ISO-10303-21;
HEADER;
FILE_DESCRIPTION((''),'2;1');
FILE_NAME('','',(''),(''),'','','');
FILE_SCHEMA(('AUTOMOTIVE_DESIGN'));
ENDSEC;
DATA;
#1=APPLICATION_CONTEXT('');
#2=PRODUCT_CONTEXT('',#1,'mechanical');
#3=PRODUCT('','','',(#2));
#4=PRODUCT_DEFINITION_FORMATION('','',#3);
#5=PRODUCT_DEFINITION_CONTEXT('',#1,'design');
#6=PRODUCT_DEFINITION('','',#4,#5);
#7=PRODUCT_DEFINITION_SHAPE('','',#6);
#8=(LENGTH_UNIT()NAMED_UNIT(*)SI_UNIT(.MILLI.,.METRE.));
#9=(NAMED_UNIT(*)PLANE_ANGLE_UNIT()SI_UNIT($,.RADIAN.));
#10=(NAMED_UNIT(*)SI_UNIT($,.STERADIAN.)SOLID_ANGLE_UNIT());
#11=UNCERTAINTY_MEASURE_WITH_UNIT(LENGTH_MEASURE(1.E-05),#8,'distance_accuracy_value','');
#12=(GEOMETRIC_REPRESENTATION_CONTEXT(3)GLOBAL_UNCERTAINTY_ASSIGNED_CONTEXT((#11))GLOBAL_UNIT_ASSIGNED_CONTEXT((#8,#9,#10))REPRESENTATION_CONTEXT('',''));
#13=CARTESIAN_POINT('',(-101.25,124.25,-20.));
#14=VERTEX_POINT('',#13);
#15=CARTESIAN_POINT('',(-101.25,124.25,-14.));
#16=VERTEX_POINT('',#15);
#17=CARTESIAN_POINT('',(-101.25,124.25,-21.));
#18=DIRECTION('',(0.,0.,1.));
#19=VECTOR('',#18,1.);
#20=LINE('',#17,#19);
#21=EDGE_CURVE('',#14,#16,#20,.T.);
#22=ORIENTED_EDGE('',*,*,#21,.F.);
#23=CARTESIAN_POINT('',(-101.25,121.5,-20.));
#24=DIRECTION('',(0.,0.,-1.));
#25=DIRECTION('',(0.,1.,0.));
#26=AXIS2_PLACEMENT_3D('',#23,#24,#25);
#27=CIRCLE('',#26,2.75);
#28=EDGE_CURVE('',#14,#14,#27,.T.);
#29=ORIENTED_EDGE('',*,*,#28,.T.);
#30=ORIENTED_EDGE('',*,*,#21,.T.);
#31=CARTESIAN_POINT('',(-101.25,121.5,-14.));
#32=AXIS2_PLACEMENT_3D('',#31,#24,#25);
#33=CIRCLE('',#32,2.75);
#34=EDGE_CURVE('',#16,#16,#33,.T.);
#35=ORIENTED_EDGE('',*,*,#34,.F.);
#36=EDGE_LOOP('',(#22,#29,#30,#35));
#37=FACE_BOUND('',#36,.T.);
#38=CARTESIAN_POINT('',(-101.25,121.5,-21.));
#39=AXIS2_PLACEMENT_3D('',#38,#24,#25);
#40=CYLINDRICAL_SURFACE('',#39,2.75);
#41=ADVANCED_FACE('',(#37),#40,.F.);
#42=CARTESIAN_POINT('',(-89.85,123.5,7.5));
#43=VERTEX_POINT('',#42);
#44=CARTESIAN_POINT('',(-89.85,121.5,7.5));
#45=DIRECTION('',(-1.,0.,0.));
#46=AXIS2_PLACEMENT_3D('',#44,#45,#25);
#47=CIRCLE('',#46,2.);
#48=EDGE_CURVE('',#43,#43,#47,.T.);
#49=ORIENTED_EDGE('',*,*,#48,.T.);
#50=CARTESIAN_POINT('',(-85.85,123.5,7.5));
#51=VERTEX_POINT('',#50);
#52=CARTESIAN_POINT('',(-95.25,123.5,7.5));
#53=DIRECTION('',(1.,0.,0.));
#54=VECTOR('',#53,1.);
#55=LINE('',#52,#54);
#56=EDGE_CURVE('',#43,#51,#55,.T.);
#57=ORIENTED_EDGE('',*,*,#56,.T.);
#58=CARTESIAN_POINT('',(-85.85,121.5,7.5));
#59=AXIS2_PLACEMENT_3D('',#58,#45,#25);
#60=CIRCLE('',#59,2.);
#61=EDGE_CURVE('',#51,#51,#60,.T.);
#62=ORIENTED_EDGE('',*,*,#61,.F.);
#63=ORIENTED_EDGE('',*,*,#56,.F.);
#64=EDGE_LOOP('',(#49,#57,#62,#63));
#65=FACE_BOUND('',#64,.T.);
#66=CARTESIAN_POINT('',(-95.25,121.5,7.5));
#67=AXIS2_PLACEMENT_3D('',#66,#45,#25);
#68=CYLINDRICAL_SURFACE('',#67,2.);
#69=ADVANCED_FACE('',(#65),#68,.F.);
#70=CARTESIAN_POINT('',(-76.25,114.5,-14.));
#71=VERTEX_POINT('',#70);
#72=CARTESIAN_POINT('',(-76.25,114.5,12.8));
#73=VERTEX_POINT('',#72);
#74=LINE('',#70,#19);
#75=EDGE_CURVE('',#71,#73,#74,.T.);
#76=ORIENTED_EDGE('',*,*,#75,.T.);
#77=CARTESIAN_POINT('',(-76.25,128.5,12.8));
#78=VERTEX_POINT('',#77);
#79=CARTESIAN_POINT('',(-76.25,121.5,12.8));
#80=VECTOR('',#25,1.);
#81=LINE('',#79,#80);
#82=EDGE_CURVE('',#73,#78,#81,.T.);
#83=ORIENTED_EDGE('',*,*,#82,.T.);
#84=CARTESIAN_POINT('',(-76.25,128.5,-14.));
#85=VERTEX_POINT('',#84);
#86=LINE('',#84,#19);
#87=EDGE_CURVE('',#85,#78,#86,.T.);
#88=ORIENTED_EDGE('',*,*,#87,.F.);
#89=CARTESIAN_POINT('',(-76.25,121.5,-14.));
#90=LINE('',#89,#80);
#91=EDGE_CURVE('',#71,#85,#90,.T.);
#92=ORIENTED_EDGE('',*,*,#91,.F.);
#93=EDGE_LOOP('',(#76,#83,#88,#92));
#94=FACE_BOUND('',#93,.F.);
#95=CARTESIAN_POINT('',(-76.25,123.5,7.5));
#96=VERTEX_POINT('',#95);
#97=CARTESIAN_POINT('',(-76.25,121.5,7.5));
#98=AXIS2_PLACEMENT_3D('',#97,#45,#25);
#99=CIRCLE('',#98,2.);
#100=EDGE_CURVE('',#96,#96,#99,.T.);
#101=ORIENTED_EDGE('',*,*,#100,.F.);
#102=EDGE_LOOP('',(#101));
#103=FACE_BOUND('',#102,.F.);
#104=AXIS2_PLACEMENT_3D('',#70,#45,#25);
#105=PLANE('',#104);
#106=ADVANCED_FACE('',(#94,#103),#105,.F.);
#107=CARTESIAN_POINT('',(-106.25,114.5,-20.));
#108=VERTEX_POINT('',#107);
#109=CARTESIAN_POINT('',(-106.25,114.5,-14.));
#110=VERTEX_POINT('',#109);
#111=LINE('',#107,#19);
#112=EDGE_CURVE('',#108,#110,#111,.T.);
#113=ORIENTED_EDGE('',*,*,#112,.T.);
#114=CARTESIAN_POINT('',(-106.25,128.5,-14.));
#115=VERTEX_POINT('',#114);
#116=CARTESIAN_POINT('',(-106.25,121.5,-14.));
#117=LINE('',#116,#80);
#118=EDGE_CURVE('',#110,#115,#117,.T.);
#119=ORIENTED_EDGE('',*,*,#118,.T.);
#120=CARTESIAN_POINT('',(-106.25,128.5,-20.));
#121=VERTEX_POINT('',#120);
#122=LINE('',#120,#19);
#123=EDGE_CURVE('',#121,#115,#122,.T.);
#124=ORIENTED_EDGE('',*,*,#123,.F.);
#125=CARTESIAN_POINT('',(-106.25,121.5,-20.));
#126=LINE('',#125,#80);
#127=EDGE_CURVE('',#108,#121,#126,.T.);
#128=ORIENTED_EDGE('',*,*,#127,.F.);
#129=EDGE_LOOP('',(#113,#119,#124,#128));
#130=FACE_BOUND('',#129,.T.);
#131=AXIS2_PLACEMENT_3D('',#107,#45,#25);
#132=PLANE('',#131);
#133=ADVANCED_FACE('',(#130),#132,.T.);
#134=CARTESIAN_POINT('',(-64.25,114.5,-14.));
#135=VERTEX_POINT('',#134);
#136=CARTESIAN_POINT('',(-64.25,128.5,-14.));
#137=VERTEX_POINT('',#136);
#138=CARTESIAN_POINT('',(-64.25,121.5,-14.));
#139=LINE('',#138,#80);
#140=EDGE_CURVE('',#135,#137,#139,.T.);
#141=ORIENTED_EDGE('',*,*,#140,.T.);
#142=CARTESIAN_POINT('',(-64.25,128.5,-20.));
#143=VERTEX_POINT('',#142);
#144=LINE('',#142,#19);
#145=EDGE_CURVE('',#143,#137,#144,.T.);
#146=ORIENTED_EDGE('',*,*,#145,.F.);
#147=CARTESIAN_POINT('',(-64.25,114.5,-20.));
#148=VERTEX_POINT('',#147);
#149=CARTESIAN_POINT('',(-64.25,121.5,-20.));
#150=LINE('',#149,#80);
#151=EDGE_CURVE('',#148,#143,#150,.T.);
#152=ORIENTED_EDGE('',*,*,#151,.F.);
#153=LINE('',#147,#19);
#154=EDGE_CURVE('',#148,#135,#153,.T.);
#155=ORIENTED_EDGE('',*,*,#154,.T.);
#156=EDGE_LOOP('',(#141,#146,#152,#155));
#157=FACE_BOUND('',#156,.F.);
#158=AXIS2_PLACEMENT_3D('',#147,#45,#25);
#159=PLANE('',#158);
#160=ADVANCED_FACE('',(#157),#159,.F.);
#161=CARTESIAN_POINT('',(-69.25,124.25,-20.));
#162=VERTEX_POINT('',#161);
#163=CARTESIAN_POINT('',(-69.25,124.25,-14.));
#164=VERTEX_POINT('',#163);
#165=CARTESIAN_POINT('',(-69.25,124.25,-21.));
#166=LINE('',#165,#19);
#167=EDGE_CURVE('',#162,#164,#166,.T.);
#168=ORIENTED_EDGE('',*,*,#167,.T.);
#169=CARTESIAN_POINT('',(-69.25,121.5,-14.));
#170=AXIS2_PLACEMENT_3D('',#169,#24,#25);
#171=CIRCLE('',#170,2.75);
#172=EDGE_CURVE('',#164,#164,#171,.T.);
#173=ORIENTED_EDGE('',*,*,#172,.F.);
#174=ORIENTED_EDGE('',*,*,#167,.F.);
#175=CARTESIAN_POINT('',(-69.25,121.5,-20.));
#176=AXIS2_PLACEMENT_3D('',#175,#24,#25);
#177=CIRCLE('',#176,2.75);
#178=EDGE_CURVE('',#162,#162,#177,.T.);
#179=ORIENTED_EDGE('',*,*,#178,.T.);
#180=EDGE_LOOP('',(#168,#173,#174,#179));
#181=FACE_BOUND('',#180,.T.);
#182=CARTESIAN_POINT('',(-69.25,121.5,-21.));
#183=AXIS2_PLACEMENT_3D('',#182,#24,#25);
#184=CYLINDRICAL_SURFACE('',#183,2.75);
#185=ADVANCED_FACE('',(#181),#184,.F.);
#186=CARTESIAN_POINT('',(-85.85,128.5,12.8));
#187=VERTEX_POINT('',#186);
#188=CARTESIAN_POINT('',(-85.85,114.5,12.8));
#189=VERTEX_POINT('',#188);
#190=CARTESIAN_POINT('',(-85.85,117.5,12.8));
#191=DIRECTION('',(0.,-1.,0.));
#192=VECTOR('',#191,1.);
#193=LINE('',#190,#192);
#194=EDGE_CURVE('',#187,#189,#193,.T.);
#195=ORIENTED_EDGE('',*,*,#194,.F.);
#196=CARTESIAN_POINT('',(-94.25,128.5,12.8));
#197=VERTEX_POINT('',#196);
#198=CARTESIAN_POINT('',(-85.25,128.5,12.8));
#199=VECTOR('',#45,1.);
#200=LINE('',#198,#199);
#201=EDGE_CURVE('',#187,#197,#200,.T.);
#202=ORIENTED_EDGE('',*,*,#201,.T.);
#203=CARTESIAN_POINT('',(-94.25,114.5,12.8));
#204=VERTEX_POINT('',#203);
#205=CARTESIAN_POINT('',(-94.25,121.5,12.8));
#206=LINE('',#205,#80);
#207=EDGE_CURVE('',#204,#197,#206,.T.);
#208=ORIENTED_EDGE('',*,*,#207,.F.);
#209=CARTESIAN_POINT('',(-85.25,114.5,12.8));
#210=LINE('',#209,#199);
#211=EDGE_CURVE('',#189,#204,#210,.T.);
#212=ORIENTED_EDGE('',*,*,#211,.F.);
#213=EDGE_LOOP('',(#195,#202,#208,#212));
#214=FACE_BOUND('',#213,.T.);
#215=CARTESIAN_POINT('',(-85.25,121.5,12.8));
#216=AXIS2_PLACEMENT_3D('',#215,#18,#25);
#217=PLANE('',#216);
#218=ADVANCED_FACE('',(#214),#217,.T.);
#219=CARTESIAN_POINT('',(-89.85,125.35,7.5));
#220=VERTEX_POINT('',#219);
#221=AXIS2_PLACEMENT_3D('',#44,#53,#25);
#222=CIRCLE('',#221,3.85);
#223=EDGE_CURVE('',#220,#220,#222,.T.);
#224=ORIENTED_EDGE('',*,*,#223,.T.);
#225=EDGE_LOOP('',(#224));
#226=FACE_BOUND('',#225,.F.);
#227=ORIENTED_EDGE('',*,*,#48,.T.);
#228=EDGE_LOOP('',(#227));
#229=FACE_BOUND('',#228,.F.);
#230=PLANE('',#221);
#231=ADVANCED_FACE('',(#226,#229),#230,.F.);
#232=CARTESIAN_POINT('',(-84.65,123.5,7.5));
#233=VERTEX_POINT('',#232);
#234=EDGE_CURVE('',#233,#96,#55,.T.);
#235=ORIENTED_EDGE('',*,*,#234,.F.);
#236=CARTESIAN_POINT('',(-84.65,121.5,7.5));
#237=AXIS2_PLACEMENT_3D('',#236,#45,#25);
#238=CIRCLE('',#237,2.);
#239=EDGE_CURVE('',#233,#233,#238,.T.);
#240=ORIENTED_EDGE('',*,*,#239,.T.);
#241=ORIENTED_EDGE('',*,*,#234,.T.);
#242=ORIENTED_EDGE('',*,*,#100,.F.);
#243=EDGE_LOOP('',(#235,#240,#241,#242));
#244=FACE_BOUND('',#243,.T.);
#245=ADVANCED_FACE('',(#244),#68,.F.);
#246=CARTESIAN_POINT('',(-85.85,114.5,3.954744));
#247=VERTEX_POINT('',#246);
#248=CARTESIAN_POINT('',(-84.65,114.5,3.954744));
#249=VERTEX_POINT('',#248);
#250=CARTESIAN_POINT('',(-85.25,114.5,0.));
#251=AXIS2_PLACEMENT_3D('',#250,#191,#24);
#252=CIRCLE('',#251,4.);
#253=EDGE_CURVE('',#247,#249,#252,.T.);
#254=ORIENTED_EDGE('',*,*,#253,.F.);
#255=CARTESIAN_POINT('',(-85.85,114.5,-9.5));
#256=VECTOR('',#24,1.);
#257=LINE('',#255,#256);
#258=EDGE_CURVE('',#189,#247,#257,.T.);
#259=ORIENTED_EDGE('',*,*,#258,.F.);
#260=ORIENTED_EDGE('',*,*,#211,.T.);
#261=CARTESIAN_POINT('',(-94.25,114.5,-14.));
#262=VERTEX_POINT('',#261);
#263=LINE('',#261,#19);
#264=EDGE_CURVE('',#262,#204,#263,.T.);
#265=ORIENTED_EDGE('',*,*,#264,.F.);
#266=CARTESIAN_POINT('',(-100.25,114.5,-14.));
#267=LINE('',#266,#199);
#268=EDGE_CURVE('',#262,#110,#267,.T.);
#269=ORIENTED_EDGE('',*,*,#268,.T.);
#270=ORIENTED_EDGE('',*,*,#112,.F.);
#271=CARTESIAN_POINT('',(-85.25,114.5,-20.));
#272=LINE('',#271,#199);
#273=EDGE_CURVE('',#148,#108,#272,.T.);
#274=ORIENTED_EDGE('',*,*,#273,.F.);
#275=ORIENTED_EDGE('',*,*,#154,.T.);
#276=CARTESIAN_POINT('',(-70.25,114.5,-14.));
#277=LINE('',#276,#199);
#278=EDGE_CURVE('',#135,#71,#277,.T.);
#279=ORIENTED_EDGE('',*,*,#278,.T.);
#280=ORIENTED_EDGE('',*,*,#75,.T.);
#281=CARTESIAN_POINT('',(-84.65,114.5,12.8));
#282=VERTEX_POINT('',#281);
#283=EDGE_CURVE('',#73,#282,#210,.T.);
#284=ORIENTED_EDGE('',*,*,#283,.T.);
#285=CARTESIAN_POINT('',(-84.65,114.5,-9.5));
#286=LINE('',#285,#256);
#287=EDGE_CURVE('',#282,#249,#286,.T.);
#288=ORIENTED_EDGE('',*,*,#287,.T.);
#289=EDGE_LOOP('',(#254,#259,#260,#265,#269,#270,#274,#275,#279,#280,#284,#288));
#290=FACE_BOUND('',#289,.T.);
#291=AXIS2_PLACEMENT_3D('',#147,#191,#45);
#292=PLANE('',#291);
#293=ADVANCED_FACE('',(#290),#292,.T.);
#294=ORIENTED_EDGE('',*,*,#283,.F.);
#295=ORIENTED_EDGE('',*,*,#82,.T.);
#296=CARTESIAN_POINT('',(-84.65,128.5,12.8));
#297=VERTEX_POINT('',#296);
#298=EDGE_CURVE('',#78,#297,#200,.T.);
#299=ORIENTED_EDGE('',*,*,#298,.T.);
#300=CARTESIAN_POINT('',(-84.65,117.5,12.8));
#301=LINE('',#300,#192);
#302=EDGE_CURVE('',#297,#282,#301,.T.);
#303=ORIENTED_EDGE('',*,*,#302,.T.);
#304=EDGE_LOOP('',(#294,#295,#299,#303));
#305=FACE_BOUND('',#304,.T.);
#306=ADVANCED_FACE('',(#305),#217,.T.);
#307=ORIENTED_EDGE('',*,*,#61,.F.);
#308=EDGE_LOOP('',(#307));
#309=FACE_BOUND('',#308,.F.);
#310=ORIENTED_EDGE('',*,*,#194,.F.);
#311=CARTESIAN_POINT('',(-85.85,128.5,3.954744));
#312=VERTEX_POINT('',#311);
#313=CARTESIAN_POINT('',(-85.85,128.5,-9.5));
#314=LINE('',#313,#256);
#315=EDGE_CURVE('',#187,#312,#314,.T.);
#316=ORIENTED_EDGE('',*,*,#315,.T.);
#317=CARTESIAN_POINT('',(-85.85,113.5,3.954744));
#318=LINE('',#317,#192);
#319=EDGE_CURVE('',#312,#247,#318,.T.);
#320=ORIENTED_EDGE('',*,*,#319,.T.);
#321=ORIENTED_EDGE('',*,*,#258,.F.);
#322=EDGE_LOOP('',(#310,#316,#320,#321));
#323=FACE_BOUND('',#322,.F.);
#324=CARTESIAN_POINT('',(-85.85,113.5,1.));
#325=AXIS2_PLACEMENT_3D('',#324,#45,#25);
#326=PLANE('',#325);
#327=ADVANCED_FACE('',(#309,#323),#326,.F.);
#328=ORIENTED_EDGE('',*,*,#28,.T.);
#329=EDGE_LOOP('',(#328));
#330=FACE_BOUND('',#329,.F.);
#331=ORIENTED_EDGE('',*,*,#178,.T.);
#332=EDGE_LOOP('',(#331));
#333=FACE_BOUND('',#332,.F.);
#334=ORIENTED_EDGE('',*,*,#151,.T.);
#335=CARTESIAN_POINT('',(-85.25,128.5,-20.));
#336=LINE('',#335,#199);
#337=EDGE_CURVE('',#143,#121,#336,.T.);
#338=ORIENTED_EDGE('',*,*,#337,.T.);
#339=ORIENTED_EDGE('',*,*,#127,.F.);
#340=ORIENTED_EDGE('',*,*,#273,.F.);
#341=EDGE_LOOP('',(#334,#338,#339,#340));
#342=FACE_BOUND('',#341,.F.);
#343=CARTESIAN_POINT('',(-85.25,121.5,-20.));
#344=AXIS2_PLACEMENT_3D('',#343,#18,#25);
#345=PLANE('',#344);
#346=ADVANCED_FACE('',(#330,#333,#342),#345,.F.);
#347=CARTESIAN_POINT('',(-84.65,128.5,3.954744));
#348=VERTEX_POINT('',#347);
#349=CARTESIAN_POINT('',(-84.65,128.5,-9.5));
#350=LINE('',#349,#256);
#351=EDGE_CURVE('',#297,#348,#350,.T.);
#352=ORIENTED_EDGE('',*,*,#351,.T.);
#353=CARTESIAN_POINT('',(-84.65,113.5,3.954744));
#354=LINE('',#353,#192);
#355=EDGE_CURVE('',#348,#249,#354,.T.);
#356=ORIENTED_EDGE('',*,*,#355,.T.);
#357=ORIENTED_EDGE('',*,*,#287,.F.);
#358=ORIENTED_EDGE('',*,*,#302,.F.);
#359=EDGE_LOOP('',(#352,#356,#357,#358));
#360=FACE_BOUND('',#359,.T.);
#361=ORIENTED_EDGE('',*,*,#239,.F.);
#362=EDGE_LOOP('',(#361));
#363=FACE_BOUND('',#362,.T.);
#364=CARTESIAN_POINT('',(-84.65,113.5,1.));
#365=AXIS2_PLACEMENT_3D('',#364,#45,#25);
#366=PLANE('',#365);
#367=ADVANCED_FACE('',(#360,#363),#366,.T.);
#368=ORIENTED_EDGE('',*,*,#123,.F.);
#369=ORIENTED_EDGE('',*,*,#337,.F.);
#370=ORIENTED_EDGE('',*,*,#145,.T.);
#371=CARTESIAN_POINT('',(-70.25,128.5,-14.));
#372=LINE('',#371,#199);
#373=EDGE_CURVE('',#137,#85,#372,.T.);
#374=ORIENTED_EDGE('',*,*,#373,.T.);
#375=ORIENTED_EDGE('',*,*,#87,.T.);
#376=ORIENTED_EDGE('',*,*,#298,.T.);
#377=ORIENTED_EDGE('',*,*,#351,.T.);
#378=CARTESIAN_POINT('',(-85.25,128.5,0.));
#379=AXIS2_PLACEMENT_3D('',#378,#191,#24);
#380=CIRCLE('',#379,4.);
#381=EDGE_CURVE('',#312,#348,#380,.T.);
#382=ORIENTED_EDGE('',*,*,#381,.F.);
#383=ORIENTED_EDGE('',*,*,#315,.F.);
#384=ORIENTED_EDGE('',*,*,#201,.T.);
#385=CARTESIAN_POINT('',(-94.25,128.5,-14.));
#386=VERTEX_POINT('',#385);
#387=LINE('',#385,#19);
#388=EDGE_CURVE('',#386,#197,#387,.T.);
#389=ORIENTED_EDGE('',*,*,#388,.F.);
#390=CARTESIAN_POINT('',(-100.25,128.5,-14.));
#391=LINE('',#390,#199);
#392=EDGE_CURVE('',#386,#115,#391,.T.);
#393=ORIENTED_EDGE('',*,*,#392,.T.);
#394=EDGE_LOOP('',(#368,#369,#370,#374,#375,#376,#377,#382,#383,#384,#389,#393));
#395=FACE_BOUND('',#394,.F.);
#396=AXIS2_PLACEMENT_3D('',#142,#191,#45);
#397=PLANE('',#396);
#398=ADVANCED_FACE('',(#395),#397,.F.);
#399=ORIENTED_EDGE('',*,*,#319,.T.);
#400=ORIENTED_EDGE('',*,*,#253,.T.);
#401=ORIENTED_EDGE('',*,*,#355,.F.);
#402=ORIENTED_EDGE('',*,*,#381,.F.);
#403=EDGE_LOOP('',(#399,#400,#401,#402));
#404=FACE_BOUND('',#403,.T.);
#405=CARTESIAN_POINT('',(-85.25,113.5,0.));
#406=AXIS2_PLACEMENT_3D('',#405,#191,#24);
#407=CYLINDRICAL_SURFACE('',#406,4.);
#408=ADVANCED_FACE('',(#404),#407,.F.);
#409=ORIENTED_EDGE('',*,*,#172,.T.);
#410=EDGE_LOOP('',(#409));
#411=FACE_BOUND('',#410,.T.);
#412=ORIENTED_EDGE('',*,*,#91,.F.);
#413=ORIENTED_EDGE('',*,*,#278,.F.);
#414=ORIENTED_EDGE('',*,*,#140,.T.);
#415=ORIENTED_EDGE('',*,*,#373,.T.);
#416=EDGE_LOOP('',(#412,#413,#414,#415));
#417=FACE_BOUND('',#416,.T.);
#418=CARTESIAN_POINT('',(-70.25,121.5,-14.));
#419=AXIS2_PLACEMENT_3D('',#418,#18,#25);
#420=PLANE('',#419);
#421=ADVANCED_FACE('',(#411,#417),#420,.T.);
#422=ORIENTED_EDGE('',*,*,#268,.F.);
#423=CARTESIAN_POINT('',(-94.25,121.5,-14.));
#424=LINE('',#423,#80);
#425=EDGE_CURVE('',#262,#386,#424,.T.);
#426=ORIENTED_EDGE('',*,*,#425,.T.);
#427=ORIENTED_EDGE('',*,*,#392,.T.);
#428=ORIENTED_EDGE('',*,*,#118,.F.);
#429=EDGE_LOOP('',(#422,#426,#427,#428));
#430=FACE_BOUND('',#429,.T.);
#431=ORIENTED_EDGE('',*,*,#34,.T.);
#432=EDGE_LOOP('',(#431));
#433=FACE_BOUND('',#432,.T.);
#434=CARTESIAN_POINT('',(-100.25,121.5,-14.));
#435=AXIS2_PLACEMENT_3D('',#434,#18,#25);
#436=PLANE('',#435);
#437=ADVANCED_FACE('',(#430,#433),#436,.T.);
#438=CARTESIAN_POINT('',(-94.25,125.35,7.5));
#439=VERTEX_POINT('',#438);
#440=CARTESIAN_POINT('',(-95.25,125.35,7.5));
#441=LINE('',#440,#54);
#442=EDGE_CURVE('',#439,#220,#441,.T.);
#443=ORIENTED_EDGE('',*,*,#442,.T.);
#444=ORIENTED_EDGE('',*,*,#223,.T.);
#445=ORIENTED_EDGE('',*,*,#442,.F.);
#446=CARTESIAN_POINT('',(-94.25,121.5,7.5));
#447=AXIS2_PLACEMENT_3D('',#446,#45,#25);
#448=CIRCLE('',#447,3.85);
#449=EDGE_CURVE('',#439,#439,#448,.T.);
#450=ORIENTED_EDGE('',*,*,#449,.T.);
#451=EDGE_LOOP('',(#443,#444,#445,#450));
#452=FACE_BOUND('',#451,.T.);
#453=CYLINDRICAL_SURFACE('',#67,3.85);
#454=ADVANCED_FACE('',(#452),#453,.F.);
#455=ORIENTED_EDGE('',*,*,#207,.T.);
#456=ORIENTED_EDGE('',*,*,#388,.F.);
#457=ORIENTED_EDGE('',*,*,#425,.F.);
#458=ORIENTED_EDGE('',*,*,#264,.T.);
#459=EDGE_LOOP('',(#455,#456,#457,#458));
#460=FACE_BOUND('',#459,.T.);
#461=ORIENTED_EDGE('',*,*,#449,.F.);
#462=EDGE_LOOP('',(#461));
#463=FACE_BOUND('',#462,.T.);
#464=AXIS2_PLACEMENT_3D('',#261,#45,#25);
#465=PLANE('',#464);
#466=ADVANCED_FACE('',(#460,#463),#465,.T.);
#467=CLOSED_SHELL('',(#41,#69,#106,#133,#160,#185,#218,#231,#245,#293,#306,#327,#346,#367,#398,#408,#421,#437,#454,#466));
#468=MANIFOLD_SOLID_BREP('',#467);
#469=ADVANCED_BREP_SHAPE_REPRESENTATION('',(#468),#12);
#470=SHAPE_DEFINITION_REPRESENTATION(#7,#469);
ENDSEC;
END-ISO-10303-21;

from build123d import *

# Parameters (mm, degrees)
MBOLT_SH_L_R                     = 2.75
MBOLT_SH_L_DEPTH                 = 8
MBOLT_SH_R_R                     = 2.75
MBOLT_SH_R_DEPTH                 = 8
MBOLTS_SH_PLACEMENT_ANGLE        = 90
TBOLT_SHAFT_R                    = 2
TBOLT_SHAFT_DEPTH                = 20
TBOLT_SHAFT_ROLL_ANGLE           = 90
UP_SEP_W                         = 16
UP_SEP_H                         = 1.2
UP_SEP_DEPTH                     = 13.8
SHAFT_HOLE_R                     = 4
SHAFT_HOLE_DEPTH                 = 16
SHAFT_HOLE_PITCH_ANGLE           = 90
TBOLT_HEAD_R                     = 3.85
TBOLT_HEAD_DEPTH                 = 5.4
TBOLT_HEAD_ROLL_ANGLE            = 90
SIDE_BOX_L_W                     = 14
SIDE_BOX_L_H                     = 12
SIDE_BOX_L_DEPTH                 = 26.8
SIDE_BOX_R_W                     = 14
SIDE_BOX_R_H                     = 12
SIDE_BOX_R_DEPTH                 = 26.8
TOTAL_BOX_W                      = 14
TOTAL_BOX_H                      = 42
TOTAL_BOX_DEPTH                  = 32.8
SK_SHAPE_W_HOLES_PLACEMENT_ANGLE = 90


with BuildPart() as mbolt_sh_l:
    # mbolt_sh_l → mbolt_sh_l (new body)
    with BuildSketch(Plane(origin=(7, -16, -1), x_dir=(1, 0, 0), z_dir=(0, 0, 1))):
        Circle(MBOLT_SH_L_R)
    extrude(amount=MBOLT_SH_L_DEPTH)


with BuildPart() as mbolts_sh:
    # mbolt_sh_r → mbolt_sh_r (new body)
    with BuildSketch(Plane(origin=(7, 16, -1), x_dir=(1, 0, 0), z_dir=(0, 0, 1))):
        Circle(MBOLT_SH_R_R)
    extrude(amount=MBOLT_SH_R_DEPTH)

    # mbolts_sh: union mbolt_sh_l
    add(mbolt_sh_l.part)


with BuildPart() as mbolts_sh_1:
    # mbolts_sh placement: moved
    add(mbolts_sh.part.moved(Location((0, -7, 0))).rotate(Axis((0, -7, 0), (0, 0, 1)), MBOLTS_SH_PLACEMENT_ANGLE))


with BuildPart() as tbolt_shaft:
    # tbolt_shaft → tbolt_shaft (new body)
    with BuildSketch(Plane.XY):
        Circle(TBOLT_SHAFT_R)
    extrude(amount=TBOLT_SHAFT_DEPTH)


with BuildPart() as tbolt_shaft_1:
    # tbolt_shaft roll: moved
    add(tbolt_shaft.part.rotate(Axis((0, 0, 0), (1, 0, 0)), TBOLT_SHAFT_ROLL_ANGLE))


with BuildPart() as tbolt_shaft_2:
    # tbolt_shaft placement: moved
    add(tbolt_shaft_1.part.moved(Location((7, 10, 27.5))))


with BuildPart() as up_sep:
    # up_sep → up_sep (new body)
    with BuildSketch(Plane(origin=(-1, -0.6, 21), x_dir=(1, 0, 0), z_dir=(0, 0, 1))):
        with Locations((8, 0.6)):
            Rectangle(UP_SEP_W, UP_SEP_H)
    extrude(amount=UP_SEP_DEPTH)


with BuildPart() as shaft_hole:
    # shaft_hole → shaft_hole (new body)
    with BuildSketch(Plane.XY):
        Circle(SHAFT_HOLE_R)
    extrude(amount=SHAFT_HOLE_DEPTH)


with BuildPart() as shaft_hole_1:
    # shaft_hole pitch: moved
    add(shaft_hole.part.rotate(Axis((0, 0, 0), (0, 1, 0)), SHAFT_HOLE_PITCH_ANGLE))


with BuildPart() as shaft_hole_2:
    # shaft_hole placement: moved
    add(shaft_hole_1.part.moved(Location((-1, 0, 20))))


with BuildPart() as fuse_shaft_holes:
    # tbolt_head → tbolt_head (new body)
    with BuildSketch(Plane.XY):
        Circle(TBOLT_HEAD_R)
    extrude(amount=TBOLT_HEAD_DEPTH)


with BuildPart() as fuse_shaft_holes_1:
    # tbolt_head roll: moved
    add(fuse_shaft_holes.part.rotate(Axis((0, 0, 0), (1, 0, 0)), TBOLT_HEAD_ROLL_ANGLE))


with BuildPart() as fuse_shaft_holes_2:
    # tbolt_head placement: moved
    add(fuse_shaft_holes_1.part.moved(Location((7, 10, 27.5))))

    # fuse_shaft_holes: union tbolt_shaft, up_sep, shaft_hole
    add(tbolt_shaft_2.part)
    add(up_sep.part)
    add(shaft_hole_2.part)


with BuildPart() as side_box_l:
    # side_box_l → side_box_l (new body)
    with BuildSketch(Plane(origin=(0, -21, 6), x_dir=(1, 0, 0), z_dir=(0, 0, 1))):
        with Locations((7, 6)):
            Rectangle(SIDE_BOX_L_W, SIDE_BOX_L_H)
    extrude(amount=SIDE_BOX_L_DEPTH)


with BuildPart() as side_boxes:
    # side_box_r → side_box_r (new body)
    with BuildSketch(Plane(origin=(0, 9, 6), x_dir=(1, 0, 0), z_dir=(0, 0, 1))):
        with Locations((7, 6)):
            Rectangle(SIDE_BOX_R_W, SIDE_BOX_R_H)
    extrude(amount=SIDE_BOX_R_DEPTH)

    # side_boxes: union side_box_l
    add(side_box_l.part)


with BuildPart() as sky_nx_y:
    # total_box → total_box (new body)
    with BuildSketch(Plane(origin=(0, -21, 0), x_dir=(1, 0, 0), z_dir=(0, 0, 1))):
        with Locations((7, 21)):
            Rectangle(TOTAL_BOX_W, TOTAL_BOX_H)
    extrude(amount=TOTAL_BOX_DEPTH)

    # sk_shape: cut side_boxes
    add(side_boxes.part, mode=Mode.SUBTRACT)

    # sk_shape_w_holes: cut fuse_shaft_holes
    add(fuse_shaft_holes_2.part, mode=Mode.SUBTRACT)


with BuildPart() as sky_nx_y_1:
    # sk_shape_w_holes placement: moved
    add(sky_nx_y.part.moved(Location((0, -7, 0))).rotate(Axis((0, -7, 0), (0, 0, 1)), SK_SHAPE_W_HOLES_PLACEMENT_ANGLE))

    # sky_x_y0: cut mbolts_sh
    add(mbolts_sh_1.part, mode=Mode.SUBTRACT)


with BuildPart() as sky_nx_y_2:
    # sky_x_y0 placement: moved
    add(sky_nx_y_1.part.moved(Location((85.25, -56.5, -20))))


with BuildPart() as sky_nx_y_3:
    # Clone015 placement: moved
    add(sky_nx_y_2.part.moved(Location((-170.5, 178, 0))))


solid = sky_nx_y_3.part
